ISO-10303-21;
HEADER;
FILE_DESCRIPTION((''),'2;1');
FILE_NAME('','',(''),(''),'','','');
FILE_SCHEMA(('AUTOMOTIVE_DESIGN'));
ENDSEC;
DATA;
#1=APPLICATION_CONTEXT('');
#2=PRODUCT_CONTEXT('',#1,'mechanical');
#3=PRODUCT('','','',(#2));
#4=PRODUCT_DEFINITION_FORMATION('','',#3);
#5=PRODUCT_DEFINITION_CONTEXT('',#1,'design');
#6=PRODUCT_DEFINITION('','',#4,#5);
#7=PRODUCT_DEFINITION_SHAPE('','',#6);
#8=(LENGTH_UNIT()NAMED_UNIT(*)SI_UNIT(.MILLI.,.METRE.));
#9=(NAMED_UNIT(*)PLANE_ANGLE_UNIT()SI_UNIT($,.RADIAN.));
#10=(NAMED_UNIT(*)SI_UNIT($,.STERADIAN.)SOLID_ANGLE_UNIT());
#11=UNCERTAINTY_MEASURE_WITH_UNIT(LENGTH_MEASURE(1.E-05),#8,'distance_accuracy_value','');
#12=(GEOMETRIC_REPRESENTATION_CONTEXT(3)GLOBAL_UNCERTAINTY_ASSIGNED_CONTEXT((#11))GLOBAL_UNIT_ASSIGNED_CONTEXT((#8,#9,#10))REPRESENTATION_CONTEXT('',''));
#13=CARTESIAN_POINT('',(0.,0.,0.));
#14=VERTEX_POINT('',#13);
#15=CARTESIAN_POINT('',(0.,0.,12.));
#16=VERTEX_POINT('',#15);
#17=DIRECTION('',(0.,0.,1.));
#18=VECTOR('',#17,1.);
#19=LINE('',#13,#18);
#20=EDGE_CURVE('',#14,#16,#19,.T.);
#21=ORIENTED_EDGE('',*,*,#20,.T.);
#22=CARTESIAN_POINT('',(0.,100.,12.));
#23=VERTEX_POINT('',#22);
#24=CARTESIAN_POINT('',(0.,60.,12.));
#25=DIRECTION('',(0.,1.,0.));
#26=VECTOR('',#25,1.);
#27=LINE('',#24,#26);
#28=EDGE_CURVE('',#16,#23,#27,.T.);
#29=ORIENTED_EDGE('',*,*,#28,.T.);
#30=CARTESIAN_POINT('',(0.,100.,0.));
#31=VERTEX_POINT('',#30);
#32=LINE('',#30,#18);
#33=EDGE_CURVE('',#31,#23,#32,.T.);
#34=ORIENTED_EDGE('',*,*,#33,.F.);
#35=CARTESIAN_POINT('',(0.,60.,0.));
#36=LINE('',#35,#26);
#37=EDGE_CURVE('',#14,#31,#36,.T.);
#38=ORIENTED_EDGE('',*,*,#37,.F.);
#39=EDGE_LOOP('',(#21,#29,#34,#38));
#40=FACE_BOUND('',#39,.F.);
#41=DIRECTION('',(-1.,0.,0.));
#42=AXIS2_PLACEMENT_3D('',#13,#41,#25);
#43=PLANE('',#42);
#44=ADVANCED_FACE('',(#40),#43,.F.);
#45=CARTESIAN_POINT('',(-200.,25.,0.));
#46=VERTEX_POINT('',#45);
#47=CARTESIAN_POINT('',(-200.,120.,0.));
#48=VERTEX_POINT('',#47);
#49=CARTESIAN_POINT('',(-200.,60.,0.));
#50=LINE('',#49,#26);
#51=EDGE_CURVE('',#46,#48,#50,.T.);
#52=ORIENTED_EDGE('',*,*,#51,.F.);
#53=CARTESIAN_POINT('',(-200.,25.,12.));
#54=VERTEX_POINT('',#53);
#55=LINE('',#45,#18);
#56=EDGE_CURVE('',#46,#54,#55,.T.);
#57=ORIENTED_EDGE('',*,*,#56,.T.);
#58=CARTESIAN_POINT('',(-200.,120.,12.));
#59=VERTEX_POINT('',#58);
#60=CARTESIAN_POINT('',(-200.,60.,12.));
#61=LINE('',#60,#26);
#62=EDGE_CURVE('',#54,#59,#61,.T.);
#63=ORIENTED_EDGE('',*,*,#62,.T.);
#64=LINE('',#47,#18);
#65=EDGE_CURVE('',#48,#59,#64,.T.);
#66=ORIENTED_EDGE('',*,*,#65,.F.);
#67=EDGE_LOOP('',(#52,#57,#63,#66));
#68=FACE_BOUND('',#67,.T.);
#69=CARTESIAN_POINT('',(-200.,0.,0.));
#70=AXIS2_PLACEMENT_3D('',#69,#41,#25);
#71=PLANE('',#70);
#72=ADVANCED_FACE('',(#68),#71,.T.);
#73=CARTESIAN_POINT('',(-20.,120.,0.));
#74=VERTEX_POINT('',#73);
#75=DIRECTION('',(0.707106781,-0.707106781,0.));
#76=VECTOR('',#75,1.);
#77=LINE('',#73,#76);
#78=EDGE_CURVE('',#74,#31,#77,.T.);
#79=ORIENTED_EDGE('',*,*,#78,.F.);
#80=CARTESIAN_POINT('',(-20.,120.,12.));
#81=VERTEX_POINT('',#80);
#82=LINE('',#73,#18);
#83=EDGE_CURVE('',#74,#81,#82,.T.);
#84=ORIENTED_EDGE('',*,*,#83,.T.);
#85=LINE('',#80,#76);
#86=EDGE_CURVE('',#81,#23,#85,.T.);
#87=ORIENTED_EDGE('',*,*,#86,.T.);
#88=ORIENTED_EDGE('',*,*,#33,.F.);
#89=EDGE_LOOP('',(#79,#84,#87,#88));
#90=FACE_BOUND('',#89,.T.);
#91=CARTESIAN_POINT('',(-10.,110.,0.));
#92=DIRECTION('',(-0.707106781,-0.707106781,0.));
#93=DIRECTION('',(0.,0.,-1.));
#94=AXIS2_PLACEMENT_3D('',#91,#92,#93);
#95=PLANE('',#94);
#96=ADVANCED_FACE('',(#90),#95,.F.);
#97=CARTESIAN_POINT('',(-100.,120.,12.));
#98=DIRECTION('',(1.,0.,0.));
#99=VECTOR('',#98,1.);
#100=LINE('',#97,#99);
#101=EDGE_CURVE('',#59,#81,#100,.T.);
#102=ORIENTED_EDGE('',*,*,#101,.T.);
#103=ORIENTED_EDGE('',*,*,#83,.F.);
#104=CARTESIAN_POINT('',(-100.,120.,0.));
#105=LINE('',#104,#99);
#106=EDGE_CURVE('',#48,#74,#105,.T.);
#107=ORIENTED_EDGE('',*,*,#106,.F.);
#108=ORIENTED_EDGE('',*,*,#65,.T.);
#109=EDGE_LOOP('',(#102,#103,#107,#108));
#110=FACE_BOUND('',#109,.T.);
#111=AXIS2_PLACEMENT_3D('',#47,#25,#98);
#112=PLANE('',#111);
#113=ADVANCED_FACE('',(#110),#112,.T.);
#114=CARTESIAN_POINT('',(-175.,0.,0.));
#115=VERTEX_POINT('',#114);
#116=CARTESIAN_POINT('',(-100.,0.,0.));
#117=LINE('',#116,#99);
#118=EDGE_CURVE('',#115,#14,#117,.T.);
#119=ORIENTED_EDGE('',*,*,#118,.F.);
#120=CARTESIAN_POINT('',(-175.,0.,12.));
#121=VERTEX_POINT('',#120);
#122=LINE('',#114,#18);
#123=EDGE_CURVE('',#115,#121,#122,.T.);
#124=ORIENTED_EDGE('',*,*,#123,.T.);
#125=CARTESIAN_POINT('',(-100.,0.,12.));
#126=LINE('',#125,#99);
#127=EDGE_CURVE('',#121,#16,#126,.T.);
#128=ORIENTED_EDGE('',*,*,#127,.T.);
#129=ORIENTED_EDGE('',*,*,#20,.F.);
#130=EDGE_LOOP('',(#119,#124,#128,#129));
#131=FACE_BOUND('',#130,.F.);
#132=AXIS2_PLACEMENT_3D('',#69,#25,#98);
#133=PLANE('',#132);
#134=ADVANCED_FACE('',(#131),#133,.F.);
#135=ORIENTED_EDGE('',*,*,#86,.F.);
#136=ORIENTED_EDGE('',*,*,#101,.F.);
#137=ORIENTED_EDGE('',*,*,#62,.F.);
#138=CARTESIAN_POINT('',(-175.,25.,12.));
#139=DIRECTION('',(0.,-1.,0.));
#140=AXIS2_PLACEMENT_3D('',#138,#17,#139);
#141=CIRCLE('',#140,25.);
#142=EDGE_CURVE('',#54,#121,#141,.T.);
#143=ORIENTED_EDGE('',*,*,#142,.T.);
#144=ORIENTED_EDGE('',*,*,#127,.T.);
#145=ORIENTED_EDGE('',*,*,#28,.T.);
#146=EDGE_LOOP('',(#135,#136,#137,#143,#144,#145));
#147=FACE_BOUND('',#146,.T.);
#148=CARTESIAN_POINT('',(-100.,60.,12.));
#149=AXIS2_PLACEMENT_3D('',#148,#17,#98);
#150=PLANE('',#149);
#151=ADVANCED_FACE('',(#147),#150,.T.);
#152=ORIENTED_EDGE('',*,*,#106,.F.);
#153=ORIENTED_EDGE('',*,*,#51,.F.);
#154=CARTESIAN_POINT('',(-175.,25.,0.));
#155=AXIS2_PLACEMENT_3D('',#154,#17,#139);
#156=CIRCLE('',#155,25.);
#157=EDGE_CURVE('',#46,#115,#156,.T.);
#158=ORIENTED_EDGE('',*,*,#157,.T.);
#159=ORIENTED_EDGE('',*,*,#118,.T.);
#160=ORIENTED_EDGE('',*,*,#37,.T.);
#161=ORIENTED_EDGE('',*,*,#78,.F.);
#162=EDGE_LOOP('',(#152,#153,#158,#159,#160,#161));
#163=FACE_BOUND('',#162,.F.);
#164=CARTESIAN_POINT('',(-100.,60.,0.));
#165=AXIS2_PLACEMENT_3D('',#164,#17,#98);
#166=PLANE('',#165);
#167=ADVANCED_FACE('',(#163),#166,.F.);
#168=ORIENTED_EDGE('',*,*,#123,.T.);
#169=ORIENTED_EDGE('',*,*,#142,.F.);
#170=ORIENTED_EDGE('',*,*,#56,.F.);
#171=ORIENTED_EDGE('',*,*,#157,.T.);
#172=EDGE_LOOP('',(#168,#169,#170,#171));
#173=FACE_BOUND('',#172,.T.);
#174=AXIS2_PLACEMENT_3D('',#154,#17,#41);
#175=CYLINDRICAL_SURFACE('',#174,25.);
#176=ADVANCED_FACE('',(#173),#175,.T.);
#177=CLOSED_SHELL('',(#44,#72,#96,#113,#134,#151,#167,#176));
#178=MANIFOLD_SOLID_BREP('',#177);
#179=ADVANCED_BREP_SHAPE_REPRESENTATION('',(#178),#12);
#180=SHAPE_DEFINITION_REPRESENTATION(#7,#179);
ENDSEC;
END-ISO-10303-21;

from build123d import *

# Parameters (mm, degrees)
F0_W     = 200
F0_H     = 120
F1_DEPTH = 12
F2_R     = 25
F3_SIZE  = 20


with BuildPart() as f1:
    # F0 (on Top) → F1 (new body)
    with BuildSketch(Plane.XY):
        with Locations((-100, 60)):
            Rectangle(F0_W, F0_H)
    extrude(amount=F1_DEPTH)

    # F2
    f2_edges = [f1.edges().sort_by_distance(p)[0] for p in [
        (-200, 0, 6),
    ]]
    fillet(f2_edges, radius=F2_R)

    # F3
    f3_edges = [f1.edges().sort_by_distance(p)[0] for p in [
        (0, 120, 6),
    ]]
    chamfer(f3_edges, length=F3_SIZE)


solid = f1.part
